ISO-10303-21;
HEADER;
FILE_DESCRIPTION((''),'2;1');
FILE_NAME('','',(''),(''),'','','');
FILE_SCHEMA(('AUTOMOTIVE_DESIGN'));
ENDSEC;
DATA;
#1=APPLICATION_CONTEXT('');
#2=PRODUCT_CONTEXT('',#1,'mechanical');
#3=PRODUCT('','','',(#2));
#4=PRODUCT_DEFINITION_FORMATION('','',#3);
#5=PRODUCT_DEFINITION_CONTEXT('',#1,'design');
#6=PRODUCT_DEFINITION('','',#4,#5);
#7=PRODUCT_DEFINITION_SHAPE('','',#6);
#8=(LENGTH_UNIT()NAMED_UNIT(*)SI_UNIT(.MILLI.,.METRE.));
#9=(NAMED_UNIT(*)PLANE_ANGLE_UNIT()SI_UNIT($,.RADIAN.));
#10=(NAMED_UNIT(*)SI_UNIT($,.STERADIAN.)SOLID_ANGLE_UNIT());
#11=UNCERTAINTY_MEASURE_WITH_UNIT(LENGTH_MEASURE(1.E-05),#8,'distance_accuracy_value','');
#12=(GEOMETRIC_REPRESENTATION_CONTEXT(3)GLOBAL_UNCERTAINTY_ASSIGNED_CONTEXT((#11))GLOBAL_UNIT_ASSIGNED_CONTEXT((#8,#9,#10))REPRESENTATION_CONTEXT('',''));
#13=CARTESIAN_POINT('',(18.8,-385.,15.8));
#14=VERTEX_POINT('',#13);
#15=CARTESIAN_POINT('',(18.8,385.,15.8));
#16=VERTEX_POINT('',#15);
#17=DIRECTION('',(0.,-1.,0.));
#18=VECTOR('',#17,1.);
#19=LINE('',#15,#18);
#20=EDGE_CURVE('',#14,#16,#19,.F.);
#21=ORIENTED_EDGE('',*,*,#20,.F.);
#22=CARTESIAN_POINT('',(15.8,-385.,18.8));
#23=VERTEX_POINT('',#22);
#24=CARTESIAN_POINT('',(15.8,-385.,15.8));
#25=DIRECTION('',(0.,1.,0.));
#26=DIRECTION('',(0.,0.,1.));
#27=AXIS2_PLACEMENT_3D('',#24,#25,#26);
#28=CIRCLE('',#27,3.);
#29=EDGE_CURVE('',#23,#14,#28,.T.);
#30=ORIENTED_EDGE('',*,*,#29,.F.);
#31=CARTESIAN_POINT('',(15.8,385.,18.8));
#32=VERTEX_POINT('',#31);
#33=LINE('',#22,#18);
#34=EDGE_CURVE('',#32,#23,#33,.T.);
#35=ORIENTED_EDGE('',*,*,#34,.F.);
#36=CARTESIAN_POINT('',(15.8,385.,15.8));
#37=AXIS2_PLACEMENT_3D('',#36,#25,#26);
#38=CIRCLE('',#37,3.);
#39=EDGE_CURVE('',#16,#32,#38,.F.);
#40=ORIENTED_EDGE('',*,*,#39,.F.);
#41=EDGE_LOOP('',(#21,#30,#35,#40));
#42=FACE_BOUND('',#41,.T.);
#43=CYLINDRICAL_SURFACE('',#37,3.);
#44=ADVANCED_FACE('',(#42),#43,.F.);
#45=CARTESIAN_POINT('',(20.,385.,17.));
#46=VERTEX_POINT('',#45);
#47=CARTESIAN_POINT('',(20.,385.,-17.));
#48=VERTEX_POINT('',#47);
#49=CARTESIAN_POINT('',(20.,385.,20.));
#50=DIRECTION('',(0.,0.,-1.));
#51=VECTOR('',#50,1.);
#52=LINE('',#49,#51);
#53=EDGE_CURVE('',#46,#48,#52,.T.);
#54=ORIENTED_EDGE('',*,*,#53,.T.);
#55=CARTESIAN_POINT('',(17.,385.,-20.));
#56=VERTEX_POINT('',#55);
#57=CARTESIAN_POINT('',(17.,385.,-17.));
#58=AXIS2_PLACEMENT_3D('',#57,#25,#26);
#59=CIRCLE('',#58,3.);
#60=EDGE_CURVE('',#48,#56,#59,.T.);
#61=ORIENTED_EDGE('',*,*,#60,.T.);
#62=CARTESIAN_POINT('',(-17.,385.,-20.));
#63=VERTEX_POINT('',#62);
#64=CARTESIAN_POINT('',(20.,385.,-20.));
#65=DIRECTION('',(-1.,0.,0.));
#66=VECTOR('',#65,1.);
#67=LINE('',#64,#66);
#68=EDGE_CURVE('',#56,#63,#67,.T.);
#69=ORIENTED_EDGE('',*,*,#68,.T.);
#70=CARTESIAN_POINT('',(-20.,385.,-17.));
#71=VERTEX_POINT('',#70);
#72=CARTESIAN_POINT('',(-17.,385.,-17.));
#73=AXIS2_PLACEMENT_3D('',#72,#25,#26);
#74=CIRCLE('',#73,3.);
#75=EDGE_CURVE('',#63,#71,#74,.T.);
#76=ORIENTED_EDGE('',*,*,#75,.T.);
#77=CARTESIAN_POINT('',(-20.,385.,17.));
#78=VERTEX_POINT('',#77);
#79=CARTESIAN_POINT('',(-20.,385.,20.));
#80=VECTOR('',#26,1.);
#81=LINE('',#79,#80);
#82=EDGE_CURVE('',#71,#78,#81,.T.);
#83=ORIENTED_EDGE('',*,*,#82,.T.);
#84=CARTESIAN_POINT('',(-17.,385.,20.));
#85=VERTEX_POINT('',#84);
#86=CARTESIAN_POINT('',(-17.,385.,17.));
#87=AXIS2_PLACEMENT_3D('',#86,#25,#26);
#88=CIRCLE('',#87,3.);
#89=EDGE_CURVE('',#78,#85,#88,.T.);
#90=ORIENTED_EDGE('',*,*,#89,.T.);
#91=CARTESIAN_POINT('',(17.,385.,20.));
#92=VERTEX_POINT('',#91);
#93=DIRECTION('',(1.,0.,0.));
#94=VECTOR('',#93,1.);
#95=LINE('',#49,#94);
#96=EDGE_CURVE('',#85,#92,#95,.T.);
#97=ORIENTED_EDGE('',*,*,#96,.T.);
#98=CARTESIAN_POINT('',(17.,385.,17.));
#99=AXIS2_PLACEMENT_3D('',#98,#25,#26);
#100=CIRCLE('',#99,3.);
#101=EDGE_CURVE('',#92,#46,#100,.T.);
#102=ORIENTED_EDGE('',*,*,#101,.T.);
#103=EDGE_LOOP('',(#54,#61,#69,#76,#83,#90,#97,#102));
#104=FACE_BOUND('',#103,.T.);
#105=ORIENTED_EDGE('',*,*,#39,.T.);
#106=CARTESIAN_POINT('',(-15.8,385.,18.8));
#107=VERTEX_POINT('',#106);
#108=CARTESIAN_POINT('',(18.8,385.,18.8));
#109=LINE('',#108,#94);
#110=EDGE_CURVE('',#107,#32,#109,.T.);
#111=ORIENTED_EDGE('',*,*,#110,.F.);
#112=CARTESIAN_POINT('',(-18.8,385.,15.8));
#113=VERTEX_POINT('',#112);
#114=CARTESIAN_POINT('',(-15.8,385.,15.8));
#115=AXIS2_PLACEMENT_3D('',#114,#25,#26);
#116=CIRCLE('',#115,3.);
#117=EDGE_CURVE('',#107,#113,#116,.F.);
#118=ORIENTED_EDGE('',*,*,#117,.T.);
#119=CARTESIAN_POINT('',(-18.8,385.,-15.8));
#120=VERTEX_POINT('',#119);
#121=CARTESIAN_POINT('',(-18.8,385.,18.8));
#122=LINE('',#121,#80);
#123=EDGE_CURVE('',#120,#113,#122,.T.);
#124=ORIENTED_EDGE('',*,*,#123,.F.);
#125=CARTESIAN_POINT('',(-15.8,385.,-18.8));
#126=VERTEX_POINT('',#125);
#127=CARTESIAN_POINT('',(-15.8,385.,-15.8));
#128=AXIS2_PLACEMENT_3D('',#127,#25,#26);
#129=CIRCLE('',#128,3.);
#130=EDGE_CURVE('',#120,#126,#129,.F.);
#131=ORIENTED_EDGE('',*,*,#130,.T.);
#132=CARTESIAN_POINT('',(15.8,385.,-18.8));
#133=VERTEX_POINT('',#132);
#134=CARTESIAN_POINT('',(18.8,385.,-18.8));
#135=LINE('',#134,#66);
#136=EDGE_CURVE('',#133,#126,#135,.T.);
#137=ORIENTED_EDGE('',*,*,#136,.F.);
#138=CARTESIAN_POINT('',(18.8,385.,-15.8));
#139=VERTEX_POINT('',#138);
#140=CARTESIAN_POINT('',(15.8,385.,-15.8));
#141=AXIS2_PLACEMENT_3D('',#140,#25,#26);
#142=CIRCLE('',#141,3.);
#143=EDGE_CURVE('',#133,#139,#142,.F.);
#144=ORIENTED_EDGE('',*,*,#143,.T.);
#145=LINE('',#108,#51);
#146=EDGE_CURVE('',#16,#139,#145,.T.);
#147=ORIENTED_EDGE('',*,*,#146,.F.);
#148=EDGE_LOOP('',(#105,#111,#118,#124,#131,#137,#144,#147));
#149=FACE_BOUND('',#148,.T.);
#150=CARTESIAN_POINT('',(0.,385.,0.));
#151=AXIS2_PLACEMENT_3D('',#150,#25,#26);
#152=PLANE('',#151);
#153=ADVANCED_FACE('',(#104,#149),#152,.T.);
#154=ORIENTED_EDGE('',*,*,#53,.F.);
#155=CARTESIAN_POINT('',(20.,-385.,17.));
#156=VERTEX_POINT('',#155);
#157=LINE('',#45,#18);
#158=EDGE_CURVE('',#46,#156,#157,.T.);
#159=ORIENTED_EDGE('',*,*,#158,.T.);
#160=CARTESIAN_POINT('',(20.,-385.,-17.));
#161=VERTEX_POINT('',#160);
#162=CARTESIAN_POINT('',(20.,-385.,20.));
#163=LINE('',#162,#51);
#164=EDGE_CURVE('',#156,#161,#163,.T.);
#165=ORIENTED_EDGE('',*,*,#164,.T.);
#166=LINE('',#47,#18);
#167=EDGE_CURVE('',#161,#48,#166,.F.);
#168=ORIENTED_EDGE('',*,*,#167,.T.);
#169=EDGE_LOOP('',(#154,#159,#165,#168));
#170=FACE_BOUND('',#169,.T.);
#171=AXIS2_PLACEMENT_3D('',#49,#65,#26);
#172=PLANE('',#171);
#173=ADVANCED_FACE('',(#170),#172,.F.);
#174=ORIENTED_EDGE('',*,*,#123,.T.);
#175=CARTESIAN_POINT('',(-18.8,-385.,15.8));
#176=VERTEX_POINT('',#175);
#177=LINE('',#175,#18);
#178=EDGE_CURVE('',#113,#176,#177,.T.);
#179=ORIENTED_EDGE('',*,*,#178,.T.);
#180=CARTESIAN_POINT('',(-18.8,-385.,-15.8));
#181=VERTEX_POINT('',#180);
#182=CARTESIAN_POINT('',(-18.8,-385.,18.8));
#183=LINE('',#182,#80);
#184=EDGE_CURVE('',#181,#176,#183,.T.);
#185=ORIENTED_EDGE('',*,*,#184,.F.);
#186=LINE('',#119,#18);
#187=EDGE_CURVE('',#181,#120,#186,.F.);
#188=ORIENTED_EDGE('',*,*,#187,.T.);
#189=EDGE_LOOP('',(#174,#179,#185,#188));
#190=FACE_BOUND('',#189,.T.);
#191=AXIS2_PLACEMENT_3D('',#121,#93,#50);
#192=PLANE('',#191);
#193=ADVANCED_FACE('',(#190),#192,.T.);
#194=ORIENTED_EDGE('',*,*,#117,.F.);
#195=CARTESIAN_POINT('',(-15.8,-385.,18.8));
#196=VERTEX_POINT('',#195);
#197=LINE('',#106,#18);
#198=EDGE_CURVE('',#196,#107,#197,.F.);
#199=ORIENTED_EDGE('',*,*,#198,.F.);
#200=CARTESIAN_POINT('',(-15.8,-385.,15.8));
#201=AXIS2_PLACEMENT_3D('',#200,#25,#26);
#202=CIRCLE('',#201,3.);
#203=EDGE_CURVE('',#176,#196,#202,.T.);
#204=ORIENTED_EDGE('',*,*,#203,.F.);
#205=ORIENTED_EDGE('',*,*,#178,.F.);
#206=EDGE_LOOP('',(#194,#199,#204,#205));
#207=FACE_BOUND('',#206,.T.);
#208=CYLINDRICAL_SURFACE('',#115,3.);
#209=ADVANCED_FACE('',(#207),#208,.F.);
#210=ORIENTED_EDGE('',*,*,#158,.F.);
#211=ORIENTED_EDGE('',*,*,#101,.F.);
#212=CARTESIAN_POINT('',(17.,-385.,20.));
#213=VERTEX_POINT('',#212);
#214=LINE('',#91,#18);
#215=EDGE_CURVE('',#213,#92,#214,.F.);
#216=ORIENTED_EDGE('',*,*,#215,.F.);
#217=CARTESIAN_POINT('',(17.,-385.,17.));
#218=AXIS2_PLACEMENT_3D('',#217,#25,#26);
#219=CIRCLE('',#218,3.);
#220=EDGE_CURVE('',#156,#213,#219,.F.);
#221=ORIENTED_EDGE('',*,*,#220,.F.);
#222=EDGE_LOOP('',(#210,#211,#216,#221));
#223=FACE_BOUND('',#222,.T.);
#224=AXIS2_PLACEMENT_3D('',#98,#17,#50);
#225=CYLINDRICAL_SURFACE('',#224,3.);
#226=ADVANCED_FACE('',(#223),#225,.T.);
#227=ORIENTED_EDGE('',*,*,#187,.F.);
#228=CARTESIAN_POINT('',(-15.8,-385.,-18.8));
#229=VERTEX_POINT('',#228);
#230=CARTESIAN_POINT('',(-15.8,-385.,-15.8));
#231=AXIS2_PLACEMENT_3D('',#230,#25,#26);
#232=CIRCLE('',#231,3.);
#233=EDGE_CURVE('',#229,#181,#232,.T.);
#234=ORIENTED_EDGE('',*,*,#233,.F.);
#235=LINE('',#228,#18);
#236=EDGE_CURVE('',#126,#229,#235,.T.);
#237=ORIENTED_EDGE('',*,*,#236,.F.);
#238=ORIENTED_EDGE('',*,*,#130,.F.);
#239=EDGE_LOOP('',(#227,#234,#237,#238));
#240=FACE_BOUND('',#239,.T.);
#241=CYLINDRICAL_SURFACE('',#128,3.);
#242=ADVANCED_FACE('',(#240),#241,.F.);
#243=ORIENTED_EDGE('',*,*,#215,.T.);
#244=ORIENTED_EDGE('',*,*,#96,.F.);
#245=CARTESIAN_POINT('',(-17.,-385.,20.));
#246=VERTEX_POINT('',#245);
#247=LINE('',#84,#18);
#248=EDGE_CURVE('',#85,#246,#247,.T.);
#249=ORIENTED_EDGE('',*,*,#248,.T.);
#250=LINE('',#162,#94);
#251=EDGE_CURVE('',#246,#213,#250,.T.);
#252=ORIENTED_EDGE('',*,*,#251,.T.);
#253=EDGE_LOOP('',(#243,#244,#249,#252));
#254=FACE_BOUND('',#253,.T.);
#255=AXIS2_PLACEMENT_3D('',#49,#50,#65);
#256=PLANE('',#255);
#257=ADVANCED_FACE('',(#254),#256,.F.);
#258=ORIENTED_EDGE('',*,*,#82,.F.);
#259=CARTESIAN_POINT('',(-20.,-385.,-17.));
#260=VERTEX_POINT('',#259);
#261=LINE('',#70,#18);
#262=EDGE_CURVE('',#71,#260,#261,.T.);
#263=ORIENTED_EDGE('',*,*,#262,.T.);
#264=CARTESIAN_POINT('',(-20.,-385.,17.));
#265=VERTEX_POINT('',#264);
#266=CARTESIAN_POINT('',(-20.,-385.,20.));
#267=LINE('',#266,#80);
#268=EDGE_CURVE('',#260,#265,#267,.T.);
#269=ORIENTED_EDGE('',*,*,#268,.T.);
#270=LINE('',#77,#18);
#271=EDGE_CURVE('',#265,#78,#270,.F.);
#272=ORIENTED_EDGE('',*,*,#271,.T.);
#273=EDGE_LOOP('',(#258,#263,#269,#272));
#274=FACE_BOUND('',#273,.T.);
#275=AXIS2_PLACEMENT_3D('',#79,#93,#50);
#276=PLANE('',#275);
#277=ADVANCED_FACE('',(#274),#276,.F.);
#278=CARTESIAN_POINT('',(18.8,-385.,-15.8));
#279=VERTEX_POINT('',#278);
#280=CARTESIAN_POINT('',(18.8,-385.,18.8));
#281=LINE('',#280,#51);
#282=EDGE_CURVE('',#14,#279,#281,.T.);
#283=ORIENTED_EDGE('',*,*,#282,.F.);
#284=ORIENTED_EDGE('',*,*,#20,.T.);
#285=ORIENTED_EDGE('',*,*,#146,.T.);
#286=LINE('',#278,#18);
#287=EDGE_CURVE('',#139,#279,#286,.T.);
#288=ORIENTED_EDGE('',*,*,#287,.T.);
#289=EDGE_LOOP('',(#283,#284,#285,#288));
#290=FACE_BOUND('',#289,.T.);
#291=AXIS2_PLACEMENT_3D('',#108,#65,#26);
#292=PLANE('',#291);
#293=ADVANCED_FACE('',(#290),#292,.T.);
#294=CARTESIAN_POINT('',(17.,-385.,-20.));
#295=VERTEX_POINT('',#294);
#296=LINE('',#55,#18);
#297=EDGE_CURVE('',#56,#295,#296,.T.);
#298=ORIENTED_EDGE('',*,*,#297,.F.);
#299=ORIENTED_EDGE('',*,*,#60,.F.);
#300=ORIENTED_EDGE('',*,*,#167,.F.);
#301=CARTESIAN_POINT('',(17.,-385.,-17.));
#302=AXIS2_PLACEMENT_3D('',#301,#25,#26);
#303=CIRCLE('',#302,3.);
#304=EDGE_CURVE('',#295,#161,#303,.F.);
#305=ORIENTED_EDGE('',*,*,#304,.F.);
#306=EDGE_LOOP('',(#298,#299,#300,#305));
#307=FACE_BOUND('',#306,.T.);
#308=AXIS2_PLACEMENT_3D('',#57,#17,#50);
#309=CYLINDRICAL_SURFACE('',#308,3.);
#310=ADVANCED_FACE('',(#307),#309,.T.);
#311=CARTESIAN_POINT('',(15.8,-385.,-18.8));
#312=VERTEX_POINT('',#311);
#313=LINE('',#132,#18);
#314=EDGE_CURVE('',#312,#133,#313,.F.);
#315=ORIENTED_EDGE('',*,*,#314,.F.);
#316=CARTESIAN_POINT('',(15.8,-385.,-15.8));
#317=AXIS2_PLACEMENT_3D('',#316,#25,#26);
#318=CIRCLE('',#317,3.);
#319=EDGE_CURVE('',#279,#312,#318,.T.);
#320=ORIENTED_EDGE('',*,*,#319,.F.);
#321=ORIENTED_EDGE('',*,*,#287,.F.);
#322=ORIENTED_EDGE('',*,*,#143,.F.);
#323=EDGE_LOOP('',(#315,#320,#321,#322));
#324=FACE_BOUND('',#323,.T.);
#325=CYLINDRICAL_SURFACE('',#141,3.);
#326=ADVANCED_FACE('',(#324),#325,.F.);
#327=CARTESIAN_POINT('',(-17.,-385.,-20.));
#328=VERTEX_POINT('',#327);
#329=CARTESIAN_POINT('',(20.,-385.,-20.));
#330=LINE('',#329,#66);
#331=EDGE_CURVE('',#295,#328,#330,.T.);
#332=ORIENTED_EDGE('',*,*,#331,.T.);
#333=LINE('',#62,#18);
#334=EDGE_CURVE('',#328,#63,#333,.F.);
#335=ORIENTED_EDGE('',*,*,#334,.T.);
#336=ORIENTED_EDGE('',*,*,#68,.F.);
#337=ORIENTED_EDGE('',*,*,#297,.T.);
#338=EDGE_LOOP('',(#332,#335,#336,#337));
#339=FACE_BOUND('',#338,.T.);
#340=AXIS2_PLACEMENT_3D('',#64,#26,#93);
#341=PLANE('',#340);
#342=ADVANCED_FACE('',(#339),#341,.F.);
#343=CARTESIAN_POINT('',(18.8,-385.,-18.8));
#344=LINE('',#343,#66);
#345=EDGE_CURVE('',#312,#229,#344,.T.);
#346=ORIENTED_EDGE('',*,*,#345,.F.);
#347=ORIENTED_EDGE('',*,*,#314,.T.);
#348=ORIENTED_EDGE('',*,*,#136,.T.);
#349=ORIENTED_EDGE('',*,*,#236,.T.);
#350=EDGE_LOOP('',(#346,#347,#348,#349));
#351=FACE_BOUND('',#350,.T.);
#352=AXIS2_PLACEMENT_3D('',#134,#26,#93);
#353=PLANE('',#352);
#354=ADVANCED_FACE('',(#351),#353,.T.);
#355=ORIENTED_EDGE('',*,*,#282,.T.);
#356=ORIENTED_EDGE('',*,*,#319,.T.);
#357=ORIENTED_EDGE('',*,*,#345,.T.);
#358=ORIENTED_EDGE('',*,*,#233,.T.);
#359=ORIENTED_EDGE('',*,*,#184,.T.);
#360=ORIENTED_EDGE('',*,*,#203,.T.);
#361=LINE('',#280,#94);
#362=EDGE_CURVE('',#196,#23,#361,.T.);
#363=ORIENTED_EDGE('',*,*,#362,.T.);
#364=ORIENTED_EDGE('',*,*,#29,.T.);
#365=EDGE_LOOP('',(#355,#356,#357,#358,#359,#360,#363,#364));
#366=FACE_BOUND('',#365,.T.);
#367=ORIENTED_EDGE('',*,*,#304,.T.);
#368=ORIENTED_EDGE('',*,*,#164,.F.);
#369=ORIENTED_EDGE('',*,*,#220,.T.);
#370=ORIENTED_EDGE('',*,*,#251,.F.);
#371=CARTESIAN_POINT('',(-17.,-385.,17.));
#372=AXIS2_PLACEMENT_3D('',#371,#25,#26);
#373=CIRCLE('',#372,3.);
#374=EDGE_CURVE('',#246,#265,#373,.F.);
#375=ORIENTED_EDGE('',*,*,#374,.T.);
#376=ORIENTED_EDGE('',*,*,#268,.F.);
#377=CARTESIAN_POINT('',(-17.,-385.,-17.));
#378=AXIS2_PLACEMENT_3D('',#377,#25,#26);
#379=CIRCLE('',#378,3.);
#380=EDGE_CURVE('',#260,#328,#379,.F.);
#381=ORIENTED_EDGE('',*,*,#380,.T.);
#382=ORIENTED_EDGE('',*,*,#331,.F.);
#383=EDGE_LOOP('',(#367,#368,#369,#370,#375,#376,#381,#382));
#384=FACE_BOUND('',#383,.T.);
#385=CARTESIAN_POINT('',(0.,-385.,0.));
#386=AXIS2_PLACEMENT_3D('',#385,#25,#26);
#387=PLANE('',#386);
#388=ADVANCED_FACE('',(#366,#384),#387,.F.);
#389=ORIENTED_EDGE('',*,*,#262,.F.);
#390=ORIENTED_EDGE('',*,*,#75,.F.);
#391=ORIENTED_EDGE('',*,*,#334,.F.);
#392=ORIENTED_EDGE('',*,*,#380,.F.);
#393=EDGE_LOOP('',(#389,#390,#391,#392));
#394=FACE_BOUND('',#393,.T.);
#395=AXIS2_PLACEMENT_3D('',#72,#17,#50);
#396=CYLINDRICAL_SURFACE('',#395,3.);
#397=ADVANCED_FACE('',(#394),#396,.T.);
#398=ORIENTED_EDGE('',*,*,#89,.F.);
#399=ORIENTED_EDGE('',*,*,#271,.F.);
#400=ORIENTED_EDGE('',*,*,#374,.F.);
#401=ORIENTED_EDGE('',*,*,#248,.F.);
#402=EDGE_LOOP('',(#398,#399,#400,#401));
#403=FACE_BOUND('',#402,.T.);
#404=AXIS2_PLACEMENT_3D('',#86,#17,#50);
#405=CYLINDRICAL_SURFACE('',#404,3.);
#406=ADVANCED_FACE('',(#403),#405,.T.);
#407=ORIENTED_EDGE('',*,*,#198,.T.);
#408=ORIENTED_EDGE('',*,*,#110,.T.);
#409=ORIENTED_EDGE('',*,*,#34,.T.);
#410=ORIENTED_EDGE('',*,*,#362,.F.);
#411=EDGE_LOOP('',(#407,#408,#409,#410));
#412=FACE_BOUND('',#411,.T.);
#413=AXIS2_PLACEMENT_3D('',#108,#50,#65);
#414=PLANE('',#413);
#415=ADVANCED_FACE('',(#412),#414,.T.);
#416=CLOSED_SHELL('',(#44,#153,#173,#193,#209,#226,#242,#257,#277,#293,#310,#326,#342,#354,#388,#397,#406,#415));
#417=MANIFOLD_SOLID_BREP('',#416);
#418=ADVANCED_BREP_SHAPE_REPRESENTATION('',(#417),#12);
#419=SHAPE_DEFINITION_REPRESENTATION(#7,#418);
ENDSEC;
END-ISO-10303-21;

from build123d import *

# Parameters (mm, degrees)
ESBO_O1_W                = 40
ESBO_O1_H                = 40
ESBO_O1_W_2              = 37.6
ESBO_O1_H_2              = 37.6
RESSALTO_EXTRUS_O1_DEPTH = 385
FILETE1_R                = 3


with BuildPart() as part:
    # Esboço1 → Ressalto-extrusão1 (new, symmetric)
    with BuildSketch(Plane(origin=(0, 0, 0), x_dir=(1, 0, 0), z_dir=(0, 1, 0))):
        Rectangle(ESBO_O1_W, ESBO_O1_H)
        Rectangle(ESBO_O1_W_2, ESBO_O1_H_2, mode=Mode.SUBTRACT)
    extrude(amount=RESSALTO_EXTRUS_O1_DEPTH, both=True)

    # Filete1
    filete1_edges = [part.edges().sort_by_distance(p)[0] for p in [
        (-18.8, 0, 18.8),
        (18.8, 0, 18.8),
        (18.8, 0, -18.8),
        (-18.8, 0, -18.8),
        (-20, 0, -20),
        (20, 0, -20),
        (20, 0, 20),
        (-20, 0, 20),
    ]]
    fillet(filete1_edges, radius=FILETE1_R)


solid = part.part
